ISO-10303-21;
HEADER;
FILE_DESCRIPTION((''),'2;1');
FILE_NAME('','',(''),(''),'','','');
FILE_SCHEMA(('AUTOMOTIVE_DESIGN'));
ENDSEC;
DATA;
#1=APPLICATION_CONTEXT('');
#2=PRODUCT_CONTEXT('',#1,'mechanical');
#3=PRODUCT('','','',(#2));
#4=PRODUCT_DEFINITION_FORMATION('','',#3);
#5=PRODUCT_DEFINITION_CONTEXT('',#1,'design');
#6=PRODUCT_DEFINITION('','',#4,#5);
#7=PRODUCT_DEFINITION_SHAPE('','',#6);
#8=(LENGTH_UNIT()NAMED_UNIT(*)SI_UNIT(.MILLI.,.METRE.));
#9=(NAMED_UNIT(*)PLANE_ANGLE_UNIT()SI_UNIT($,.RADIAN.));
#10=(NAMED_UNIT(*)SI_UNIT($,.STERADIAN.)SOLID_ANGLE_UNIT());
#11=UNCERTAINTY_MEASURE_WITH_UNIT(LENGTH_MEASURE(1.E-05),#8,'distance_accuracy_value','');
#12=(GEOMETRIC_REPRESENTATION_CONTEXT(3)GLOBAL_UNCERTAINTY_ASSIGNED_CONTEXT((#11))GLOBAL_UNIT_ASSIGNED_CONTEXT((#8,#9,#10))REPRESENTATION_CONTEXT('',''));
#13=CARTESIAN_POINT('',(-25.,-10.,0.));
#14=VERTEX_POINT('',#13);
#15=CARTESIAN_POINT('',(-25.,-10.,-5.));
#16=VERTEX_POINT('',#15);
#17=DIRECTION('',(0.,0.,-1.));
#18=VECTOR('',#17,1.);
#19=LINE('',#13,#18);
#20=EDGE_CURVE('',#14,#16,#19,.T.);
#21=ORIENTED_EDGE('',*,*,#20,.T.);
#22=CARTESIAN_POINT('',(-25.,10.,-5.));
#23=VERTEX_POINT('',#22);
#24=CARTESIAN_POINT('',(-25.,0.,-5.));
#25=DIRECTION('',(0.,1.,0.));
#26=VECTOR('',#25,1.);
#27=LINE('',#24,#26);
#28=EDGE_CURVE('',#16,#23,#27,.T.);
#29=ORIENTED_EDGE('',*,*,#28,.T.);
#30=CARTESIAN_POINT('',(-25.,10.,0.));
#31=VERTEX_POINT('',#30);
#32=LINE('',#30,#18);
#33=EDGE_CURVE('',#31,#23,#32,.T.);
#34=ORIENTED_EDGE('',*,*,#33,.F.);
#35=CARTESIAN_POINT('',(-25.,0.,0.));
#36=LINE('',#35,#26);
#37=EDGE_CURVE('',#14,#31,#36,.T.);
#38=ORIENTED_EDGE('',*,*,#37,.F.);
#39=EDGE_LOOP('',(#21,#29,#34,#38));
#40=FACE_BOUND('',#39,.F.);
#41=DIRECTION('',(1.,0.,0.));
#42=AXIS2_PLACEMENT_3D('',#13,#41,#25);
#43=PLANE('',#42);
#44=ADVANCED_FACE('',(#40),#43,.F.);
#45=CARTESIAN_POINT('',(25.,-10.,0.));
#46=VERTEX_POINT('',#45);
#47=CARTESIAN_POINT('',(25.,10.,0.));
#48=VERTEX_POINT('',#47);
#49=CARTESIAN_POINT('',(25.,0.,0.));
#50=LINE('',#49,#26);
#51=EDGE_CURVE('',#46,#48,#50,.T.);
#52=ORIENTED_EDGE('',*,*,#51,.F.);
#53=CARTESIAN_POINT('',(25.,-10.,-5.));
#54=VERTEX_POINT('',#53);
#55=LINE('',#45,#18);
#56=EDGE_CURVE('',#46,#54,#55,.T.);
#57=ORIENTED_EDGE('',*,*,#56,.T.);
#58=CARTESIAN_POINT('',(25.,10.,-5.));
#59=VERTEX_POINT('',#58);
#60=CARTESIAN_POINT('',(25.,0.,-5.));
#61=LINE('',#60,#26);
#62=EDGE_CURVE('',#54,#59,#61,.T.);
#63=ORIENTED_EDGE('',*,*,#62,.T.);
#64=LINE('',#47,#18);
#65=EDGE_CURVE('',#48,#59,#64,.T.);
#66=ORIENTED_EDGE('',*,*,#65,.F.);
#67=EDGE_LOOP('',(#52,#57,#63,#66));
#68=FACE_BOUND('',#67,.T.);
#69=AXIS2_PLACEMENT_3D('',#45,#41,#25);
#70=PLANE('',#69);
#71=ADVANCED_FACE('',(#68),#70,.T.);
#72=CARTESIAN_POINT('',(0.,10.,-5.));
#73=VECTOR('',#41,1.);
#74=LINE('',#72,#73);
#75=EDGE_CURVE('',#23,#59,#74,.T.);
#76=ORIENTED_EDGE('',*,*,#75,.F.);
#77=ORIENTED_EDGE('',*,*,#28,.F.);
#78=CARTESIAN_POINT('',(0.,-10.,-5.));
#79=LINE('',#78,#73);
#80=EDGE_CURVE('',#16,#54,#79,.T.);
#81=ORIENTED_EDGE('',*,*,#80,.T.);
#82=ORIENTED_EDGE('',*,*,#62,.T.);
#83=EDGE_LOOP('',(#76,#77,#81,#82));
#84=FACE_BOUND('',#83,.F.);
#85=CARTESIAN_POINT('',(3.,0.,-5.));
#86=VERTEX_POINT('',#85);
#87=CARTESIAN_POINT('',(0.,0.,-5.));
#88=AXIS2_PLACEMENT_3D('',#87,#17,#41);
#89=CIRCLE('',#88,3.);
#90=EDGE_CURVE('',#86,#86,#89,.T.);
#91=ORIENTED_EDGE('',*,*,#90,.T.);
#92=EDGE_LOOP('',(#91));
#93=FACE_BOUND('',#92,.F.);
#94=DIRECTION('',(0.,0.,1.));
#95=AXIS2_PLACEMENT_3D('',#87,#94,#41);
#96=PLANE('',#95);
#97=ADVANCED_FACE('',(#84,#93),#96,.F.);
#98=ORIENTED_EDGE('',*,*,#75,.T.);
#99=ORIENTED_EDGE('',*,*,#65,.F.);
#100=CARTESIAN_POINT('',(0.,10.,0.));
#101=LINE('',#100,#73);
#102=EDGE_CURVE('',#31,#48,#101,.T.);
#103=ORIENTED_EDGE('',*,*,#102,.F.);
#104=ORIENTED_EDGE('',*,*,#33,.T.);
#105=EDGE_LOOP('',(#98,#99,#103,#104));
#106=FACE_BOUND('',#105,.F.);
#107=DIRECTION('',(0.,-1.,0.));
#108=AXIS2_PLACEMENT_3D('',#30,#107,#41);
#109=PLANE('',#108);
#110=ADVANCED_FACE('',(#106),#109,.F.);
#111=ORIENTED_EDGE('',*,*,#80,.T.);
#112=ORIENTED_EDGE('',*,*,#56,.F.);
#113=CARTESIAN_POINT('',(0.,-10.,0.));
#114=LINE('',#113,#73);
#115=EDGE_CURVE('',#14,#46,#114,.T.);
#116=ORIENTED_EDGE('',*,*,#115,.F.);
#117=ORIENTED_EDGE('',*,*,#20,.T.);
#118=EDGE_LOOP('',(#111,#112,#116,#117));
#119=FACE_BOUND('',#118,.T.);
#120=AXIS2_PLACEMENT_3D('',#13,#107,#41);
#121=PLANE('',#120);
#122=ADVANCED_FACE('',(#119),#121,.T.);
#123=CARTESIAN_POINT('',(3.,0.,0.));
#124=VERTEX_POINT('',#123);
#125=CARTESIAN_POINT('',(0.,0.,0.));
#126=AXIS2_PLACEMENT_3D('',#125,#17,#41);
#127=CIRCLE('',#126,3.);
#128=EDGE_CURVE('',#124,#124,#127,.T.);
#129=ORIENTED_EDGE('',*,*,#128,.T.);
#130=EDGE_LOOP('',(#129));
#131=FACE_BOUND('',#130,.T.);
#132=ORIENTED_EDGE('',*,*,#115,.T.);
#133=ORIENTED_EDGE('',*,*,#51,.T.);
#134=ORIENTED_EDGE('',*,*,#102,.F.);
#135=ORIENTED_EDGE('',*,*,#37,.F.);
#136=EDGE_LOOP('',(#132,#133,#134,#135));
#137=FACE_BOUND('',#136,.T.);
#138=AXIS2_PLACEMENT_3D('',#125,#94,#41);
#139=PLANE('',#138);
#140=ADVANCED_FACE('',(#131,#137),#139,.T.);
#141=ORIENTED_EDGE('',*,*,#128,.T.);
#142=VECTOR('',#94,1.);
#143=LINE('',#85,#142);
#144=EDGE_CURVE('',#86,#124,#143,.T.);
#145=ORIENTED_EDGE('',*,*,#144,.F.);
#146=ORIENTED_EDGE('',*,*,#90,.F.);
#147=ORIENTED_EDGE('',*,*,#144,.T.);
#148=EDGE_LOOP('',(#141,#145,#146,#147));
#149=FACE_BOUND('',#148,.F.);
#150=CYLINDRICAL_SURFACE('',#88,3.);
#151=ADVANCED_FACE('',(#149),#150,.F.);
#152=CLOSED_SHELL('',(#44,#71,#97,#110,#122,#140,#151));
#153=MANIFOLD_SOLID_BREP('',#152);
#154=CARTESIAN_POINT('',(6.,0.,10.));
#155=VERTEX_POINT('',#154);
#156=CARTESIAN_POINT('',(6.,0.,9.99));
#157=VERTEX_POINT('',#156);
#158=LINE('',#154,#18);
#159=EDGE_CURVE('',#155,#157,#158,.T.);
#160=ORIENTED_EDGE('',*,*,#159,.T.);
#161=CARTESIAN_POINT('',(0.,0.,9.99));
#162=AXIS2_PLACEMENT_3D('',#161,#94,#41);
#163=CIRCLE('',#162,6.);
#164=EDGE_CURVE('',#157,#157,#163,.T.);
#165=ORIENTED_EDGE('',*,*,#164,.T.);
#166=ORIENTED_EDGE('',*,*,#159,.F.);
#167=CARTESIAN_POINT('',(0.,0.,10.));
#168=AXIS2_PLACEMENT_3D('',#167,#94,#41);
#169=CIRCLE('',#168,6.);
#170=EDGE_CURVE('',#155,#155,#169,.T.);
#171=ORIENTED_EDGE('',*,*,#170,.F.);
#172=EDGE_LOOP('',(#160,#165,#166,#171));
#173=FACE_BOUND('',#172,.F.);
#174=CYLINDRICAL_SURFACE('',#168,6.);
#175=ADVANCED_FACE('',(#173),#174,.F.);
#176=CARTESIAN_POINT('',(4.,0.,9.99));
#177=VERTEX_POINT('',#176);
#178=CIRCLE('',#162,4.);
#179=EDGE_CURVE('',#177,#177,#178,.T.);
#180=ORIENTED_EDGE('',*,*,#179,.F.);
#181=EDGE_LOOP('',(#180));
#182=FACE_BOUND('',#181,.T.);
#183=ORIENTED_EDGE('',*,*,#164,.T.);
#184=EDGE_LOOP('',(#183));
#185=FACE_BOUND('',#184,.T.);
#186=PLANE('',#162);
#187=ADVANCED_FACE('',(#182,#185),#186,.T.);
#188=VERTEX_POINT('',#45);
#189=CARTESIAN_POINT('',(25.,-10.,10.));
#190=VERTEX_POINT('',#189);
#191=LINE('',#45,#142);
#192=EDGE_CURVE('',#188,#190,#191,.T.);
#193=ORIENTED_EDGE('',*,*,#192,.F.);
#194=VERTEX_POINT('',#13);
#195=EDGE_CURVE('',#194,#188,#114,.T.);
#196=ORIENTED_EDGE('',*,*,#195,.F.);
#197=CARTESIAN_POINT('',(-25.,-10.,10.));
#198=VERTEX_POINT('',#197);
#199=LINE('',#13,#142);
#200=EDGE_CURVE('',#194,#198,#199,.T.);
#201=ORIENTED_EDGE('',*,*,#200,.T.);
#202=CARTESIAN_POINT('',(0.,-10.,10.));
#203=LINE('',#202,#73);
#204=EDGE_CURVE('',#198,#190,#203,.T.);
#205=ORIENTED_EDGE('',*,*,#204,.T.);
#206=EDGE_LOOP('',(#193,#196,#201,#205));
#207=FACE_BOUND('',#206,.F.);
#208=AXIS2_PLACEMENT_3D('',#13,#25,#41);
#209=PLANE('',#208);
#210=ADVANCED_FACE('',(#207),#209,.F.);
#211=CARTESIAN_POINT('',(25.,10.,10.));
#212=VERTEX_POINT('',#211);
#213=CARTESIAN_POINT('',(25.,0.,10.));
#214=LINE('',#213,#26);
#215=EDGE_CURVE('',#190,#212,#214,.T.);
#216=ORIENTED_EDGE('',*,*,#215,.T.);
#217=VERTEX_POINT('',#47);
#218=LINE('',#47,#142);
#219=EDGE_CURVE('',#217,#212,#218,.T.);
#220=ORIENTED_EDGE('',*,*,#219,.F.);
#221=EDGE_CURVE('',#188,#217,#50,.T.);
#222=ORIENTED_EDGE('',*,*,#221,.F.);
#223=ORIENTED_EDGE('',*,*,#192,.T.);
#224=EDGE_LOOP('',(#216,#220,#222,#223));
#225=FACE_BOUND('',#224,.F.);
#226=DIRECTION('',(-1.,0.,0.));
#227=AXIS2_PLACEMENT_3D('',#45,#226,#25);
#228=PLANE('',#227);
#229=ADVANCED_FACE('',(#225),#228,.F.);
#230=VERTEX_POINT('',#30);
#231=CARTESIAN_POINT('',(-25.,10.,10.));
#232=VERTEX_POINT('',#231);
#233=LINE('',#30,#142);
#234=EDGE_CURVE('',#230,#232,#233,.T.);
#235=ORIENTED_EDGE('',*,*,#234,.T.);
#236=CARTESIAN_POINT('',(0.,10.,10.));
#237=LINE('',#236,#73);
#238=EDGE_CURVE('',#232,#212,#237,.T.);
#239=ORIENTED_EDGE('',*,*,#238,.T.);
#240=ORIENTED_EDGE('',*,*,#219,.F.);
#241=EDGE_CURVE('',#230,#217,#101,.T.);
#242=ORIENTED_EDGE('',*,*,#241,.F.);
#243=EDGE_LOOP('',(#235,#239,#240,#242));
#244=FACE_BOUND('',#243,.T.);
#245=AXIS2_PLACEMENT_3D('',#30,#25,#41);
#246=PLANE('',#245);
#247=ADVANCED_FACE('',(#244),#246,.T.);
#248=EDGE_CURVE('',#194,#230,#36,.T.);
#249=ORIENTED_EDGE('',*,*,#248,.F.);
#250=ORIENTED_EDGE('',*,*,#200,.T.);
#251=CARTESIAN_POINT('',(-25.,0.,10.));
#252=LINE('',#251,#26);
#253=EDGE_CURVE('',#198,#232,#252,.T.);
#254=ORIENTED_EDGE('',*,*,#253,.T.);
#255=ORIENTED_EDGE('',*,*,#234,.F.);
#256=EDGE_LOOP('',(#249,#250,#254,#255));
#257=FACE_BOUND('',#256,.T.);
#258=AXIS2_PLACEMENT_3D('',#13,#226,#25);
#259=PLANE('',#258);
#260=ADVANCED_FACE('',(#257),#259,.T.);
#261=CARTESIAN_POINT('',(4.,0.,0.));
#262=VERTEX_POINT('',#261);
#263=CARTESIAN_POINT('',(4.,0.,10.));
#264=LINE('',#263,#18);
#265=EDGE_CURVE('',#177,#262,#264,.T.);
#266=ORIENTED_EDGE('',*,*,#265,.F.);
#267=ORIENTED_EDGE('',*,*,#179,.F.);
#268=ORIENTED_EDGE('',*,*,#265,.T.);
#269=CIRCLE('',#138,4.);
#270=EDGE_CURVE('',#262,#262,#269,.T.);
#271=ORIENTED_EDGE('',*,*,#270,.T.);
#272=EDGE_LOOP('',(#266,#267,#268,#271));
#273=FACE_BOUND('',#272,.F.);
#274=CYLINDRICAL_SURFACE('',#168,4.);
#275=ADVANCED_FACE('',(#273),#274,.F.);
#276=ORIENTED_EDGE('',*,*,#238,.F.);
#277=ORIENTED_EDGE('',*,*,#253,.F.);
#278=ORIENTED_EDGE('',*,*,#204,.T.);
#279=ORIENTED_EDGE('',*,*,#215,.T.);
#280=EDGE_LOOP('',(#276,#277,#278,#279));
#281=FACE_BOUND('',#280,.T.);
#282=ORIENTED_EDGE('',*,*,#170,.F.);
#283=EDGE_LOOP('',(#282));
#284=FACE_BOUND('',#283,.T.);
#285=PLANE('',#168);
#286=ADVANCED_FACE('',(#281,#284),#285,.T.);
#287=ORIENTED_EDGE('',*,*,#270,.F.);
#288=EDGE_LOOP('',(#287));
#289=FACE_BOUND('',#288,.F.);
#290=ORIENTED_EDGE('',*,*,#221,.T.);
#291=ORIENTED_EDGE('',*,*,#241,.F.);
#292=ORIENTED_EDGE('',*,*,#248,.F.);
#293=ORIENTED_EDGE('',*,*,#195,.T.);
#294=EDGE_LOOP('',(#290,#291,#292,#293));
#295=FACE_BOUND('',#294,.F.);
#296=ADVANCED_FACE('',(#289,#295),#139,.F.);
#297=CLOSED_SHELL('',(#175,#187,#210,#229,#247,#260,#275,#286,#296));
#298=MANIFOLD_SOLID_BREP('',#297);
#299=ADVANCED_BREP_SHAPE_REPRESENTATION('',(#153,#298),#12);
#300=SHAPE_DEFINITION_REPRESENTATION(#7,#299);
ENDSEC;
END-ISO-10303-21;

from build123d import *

# Parameters (mm, degrees)
SKETCH_W        = 50
SKETCH_H        = 20
PAD_DEPTH       = 10
SKETCH002_R     = 4
POCKET_DEPTH    = 10.001
SKETCH004_R     = 6
POCKET002_DEPTH = 0.01
SKETCH001_W     = 50
SKETCH001_H     = 20
PAD001_DEPTH    = 5
SKETCH003_R     = 3
POCKET001_DEPTH = 5.001


with BuildPart() as part:
    # Sketch → Pad (new body)
    with BuildSketch(Plane.XY):
        Rectangle(SKETCH_W, SKETCH_H)
    extrude(amount=PAD_DEPTH)

    # Sketch002 → Pocket (cut, through all)
    with BuildSketch(Plane.XY.offset(10)):
        Circle(SKETCH002_R)
    extrude(amount=-POCKET_DEPTH, mode=Mode.SUBTRACT)

    # Sketch004 → Pocket002 (cut)
    with BuildSketch(Plane.XY.offset(10)):
        Circle(SKETCH004_R)
    extrude(amount=-POCKET002_DEPTH, mode=Mode.SUBTRACT)


with BuildPart() as base:
    # Sketch001 → Pad001 (new body)
    with BuildSketch(Plane.XY):
        Rectangle(SKETCH001_W, SKETCH001_H)
    extrude(amount=-PAD001_DEPTH)

    # Sketch003 → Pocket001 (cut, through all)
    with BuildSketch(Plane(origin=(0, 0, -5), x_dir=(1, 0, 0), z_dir=(0, 0, -1))):
        Circle(SKETCH003_R)
    extrude(amount=-POCKET001_DEPTH, mode=Mode.SUBTRACT)


solid = Compound([part.part, base.part])
